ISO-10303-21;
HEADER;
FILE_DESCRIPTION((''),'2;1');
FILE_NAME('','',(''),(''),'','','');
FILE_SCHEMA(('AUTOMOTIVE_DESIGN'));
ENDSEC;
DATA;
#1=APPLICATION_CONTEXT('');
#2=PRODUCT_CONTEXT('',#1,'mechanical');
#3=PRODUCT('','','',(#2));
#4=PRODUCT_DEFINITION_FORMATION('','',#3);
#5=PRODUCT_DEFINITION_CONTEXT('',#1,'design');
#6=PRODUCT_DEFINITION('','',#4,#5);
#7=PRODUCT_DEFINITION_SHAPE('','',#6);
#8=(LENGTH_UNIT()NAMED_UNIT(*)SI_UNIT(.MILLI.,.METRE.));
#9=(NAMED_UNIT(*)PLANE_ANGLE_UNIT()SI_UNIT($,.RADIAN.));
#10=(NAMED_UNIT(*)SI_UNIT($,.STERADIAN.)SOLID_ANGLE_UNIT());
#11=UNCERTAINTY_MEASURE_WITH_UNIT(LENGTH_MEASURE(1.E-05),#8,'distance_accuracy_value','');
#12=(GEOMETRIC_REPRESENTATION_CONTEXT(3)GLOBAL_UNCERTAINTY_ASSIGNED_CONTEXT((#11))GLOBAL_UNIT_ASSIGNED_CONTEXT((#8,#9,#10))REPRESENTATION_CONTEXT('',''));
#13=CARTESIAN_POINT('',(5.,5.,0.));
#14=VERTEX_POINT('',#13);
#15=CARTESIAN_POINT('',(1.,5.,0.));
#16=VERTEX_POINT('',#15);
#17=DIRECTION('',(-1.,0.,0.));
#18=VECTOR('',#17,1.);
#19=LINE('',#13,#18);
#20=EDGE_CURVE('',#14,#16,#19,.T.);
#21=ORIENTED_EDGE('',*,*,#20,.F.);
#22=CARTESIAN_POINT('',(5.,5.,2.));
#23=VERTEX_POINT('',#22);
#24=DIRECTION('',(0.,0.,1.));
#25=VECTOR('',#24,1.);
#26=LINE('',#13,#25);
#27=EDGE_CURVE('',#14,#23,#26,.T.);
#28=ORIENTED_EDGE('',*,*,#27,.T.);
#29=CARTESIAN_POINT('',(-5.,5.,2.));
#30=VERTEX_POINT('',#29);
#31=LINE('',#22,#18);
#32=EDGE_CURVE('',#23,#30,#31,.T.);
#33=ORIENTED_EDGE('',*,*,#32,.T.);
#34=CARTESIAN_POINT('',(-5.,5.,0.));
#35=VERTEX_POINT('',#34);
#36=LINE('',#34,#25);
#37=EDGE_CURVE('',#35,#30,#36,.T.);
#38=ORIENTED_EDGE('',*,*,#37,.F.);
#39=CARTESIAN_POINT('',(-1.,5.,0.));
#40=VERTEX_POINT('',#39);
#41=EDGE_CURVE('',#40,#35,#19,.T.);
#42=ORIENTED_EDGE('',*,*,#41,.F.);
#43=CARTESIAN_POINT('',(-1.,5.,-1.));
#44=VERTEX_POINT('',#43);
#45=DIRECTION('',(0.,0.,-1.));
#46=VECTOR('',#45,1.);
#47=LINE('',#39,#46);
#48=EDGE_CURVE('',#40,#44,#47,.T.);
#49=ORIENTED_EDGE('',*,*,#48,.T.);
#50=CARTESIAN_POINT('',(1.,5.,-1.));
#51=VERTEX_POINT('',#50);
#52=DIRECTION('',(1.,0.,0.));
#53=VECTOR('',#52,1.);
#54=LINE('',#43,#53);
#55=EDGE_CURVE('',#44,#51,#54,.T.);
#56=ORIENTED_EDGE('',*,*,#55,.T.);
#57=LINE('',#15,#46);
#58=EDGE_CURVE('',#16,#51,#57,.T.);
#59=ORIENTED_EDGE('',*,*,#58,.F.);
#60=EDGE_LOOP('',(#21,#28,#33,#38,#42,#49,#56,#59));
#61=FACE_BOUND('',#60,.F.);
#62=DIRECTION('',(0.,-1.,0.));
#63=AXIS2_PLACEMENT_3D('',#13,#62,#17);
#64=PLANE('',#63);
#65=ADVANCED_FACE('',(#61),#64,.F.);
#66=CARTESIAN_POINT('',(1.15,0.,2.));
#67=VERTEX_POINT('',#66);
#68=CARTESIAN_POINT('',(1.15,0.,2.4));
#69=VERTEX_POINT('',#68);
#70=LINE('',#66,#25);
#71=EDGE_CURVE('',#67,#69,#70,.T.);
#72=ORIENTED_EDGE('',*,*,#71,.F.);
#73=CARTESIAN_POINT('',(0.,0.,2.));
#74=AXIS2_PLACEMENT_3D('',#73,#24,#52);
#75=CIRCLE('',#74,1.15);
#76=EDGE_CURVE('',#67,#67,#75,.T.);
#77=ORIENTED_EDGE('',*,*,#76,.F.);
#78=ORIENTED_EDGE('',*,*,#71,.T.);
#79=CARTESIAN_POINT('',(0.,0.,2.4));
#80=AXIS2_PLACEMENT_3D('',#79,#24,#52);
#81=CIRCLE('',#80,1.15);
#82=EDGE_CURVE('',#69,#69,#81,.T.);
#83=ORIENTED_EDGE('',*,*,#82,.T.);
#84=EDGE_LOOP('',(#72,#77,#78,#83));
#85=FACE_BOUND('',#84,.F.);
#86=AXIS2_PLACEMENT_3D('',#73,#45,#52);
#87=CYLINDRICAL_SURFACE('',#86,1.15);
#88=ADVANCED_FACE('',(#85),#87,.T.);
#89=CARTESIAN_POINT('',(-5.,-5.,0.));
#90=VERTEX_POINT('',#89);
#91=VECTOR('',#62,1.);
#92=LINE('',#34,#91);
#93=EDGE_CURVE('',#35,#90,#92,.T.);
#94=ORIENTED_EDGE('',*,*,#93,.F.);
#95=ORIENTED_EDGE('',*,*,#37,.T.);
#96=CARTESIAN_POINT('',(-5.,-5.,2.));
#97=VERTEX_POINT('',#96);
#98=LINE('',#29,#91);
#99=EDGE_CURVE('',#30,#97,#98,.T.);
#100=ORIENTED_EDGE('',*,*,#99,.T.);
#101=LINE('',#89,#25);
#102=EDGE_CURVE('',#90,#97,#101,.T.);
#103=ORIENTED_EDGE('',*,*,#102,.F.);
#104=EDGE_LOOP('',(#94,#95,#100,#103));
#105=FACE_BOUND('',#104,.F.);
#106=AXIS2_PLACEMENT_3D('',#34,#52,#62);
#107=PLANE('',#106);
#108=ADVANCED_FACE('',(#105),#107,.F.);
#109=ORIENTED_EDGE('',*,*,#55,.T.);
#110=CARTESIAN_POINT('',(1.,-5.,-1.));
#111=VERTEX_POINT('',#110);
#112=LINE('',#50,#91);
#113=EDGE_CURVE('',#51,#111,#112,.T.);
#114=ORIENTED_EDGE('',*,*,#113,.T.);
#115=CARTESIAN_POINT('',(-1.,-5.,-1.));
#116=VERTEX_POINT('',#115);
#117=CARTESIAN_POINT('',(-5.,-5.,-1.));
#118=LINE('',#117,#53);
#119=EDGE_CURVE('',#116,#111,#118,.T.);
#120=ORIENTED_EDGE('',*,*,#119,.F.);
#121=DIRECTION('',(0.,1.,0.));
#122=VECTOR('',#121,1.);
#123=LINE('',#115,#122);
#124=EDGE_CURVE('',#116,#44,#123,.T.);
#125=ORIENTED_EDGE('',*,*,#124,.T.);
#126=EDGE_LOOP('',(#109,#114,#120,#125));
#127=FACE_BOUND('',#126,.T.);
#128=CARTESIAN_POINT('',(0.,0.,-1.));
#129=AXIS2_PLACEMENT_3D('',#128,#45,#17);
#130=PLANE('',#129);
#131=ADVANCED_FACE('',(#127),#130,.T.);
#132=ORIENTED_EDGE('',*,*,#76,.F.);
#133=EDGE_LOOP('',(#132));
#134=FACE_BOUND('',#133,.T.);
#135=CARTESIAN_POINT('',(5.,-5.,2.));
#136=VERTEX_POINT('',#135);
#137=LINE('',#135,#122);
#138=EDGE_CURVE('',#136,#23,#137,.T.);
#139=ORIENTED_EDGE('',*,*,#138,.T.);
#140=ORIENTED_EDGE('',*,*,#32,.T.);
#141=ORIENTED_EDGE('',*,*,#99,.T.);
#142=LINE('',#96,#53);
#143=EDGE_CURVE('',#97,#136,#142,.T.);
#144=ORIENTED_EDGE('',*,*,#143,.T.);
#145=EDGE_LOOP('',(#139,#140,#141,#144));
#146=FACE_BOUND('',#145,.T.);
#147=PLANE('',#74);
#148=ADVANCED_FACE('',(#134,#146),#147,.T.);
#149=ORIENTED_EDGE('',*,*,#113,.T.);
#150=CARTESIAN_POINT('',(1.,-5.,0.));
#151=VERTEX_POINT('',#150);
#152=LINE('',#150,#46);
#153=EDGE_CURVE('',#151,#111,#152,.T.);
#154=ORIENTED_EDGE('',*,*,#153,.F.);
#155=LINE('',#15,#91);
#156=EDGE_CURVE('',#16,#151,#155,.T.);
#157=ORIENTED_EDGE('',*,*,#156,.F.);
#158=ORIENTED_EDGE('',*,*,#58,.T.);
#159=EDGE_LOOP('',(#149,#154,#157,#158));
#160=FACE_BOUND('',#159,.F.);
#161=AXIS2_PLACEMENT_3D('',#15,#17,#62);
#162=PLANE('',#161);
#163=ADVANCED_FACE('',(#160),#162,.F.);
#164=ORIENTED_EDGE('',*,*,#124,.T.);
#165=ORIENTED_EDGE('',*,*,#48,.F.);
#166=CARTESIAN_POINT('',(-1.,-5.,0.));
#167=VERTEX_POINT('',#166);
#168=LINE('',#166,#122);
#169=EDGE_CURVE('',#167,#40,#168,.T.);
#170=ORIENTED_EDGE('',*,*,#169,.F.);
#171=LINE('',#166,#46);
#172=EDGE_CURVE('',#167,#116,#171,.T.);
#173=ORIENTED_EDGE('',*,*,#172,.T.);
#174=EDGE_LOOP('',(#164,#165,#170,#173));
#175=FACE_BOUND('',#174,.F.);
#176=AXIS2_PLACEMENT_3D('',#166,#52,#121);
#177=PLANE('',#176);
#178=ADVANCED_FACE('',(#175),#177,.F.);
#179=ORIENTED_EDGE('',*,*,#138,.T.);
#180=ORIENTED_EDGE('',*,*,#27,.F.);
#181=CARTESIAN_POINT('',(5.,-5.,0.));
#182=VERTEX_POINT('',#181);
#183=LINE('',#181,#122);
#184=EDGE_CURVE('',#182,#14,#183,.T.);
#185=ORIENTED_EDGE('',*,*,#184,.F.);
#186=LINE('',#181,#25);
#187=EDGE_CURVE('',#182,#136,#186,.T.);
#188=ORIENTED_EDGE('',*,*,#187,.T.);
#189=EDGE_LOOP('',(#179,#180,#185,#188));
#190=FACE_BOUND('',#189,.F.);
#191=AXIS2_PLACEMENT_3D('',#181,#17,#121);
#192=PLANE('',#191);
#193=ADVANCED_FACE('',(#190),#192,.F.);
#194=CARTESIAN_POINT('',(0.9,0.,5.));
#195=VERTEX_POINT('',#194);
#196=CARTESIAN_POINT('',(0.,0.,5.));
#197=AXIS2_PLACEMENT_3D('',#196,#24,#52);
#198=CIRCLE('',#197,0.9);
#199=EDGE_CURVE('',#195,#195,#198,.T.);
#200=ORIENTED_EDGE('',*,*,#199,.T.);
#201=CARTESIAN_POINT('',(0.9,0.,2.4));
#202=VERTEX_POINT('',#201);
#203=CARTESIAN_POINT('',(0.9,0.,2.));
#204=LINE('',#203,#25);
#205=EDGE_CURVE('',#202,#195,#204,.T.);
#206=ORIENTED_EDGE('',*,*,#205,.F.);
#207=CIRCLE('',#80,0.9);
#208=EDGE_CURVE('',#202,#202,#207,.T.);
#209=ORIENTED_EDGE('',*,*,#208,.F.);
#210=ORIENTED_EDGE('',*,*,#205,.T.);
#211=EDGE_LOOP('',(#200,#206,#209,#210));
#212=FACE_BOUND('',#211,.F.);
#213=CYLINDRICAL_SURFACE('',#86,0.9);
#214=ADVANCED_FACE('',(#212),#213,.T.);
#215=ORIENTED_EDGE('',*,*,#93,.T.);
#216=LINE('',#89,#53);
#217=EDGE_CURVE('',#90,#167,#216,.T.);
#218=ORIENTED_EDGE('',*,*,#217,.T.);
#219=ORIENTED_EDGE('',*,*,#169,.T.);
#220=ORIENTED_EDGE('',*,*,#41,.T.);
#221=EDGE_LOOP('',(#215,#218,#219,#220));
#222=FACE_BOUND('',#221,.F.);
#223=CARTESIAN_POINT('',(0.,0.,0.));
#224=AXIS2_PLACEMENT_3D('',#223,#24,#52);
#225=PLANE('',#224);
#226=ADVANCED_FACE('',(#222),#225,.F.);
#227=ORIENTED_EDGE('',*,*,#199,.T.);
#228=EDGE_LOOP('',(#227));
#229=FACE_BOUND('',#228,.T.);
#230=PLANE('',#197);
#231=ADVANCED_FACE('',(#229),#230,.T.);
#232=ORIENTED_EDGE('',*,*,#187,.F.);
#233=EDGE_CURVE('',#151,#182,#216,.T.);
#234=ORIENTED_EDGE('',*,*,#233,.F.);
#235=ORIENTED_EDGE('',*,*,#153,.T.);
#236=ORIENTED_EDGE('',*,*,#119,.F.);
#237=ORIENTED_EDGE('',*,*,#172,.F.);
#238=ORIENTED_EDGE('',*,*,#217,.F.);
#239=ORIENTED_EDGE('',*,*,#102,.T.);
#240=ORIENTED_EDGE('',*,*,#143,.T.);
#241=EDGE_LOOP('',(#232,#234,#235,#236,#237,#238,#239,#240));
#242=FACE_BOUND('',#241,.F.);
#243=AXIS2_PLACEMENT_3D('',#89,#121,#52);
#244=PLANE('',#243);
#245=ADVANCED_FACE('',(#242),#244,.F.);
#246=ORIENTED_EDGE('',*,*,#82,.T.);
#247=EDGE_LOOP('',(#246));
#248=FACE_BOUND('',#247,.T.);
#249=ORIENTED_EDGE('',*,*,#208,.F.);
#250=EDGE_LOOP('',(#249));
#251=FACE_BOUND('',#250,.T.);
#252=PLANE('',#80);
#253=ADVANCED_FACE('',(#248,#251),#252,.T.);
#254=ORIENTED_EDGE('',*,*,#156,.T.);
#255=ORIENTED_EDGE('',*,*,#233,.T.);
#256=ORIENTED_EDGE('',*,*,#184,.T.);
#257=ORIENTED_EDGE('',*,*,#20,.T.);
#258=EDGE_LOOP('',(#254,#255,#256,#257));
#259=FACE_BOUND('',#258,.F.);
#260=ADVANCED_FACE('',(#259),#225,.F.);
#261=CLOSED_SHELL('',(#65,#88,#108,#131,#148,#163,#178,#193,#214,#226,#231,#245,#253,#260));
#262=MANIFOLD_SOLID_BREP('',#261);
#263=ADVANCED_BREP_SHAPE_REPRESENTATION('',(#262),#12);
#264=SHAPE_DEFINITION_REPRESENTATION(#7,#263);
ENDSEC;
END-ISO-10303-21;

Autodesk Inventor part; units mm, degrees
ref_plane "YZ Plane" through (0, 0, 0) normal (1, 0, 0) x (0, 1, 0)
ref_plane "XZ Plane" through (0, 0, 0) normal (0, 1, 0) x (-1, 0, 0)
ref_plane "XY Plane" through (0, 0, 0) normal (0, 0, 1) x (1, 0, 0)
sketch "Sketch1" plane through (0, 0, 0) normal (0, 0, 1) x (1, 0, 0)
  line L0 (-5, -5) -> (5, -5)
  line L1 (5, -5) -> (5, 5)
  line L2 (5, 5) -> (-5, 5)
  line L3 (-5, 5) -> (-5, -5)
  line L4 (-5, -5) -> (5, 5) construction
  line L5 (5, -5) -> (-5, 5) construction
  point P0 (0, 0)
  dimension "d0" = 10
  dimension "d1" = 10
extrude "Extrusion1" add sketch "Sketch1" along normal blind 2
sketch "Sketch2" plane through (0, 0, 2) normal (0, 0, 1) x (1, 0, 0)
  circle A0 centre (0, 0) radius 0.9
  dimension "d4" = 1.8
extrude "Extrusion2" add sketch "Sketch2" along normal blind 3
sketch "Sketch4" plane through (0, 0, 0) normal (0, 0, -1) x (-1, 0, 0)
  line L0 (5, -5) -> (-5, -5) projected
  line L1 (1, 5) -> (-1, 5)
  line L2 (-1, 5) -> (-1, -5)
  line L3 (-1, -5) -> (1, -5)
  line L4 (1, -5) -> (1, 5)
  circle A0 centre (0, 0) radius 0.9 projected
  line L5 (1, 5) -> (-1, -5) construction
  line L6 (-1, 5) -> (1, -5) construction
  dimension "d7" = 2
extrude "Extrusion3" add sketch "Sketch4" along normal blind 1 contours L0 L2 L1 L4 | A0
sketch "Sketch5" plane through (0, 0, 2) normal (0, 0, 1) x (1, 0, 0)
  circle A0 centre (0, 0) radius 0.9 projected
  circle A1 centre (0, 0) radius 1.15
  dimension "d10" = 2.3
extrude "Extrusion4" add sketch "Sketch5" along normal blind 0.4
properties part number "TrzymakNaLozysko"
